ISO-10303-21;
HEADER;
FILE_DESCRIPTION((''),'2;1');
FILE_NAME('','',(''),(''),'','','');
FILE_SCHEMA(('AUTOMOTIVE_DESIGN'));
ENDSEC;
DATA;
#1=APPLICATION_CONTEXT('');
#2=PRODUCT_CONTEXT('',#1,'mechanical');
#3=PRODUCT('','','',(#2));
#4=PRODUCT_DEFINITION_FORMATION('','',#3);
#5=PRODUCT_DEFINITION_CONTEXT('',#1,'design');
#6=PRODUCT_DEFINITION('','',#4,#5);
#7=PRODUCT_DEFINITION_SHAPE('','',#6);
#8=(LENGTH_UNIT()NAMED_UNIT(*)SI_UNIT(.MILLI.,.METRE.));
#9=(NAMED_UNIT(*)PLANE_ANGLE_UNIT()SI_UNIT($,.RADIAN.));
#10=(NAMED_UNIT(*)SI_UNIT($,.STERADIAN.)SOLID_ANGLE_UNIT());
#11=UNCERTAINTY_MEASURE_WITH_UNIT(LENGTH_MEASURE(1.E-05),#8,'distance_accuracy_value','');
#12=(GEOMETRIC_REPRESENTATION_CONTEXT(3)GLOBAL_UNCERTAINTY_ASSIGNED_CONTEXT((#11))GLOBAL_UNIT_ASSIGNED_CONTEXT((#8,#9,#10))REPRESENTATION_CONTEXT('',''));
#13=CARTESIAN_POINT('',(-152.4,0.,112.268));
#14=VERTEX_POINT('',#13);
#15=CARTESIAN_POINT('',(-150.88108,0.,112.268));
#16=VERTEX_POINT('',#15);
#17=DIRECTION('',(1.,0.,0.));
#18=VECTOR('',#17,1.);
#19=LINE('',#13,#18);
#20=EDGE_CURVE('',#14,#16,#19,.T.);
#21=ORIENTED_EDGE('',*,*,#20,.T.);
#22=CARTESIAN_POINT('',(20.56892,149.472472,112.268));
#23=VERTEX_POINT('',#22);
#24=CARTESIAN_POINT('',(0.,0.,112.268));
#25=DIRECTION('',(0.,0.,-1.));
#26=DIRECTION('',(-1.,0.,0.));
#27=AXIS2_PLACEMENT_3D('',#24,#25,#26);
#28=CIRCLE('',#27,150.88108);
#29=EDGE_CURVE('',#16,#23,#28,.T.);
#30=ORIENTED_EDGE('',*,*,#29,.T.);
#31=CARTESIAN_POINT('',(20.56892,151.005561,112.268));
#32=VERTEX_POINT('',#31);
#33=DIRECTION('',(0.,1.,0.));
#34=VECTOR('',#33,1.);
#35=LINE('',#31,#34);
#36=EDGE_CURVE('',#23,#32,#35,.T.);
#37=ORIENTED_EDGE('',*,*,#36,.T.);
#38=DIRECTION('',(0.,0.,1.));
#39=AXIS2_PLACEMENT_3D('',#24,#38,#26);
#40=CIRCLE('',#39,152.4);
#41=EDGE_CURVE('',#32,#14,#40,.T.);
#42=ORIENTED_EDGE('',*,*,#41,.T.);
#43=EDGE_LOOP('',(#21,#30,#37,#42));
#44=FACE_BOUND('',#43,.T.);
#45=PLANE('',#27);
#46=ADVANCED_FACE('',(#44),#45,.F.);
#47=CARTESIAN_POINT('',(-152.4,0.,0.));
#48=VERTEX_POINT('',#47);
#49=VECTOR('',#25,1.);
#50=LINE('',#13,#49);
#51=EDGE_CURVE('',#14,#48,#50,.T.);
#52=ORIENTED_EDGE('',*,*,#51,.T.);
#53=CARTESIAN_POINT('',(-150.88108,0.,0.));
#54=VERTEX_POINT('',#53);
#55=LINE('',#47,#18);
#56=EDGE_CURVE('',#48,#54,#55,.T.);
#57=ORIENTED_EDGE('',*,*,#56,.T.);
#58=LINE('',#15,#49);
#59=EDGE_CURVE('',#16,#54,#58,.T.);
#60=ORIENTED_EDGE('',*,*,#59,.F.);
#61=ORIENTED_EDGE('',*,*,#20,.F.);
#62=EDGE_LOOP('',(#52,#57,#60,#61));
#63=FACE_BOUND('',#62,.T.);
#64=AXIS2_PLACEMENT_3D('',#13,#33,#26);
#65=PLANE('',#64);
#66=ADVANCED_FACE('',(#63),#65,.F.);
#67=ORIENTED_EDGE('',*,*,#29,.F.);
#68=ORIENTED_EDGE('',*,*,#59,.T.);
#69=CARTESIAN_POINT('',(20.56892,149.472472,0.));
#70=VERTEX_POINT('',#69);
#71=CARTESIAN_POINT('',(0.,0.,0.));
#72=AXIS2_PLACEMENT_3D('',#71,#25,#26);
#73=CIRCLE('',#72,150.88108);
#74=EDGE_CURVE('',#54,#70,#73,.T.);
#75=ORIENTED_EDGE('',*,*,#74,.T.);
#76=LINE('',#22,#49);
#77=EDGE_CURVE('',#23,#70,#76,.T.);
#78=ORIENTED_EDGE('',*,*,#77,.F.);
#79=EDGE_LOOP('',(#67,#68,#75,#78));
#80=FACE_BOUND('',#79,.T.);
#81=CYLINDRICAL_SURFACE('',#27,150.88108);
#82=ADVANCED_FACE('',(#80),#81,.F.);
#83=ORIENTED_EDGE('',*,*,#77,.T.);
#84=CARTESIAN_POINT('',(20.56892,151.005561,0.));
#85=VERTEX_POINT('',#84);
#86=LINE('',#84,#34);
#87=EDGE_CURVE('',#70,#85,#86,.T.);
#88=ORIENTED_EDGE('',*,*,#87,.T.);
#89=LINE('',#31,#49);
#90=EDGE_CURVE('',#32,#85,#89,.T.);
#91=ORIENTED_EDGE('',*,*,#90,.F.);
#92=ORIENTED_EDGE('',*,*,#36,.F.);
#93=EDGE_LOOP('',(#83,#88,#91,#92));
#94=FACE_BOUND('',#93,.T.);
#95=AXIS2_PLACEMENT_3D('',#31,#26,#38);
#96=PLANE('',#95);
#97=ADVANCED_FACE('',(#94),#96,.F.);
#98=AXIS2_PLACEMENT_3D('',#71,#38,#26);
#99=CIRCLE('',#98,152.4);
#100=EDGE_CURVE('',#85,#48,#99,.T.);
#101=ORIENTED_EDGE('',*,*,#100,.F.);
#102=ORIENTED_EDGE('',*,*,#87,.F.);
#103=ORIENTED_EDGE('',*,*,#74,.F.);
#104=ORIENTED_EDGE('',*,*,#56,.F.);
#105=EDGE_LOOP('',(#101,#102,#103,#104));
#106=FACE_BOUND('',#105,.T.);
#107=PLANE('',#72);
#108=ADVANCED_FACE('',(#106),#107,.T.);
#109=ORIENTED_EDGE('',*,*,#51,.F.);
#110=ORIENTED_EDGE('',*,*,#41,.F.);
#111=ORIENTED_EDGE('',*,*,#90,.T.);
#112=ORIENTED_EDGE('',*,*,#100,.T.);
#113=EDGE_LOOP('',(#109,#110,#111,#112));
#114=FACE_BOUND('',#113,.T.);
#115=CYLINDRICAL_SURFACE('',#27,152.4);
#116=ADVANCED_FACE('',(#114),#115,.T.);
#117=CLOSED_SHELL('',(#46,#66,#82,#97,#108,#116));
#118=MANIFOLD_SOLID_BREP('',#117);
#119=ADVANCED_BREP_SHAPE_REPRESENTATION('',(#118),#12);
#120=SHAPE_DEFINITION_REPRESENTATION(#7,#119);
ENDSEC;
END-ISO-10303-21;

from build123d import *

# Parameters (mm, degrees)
INNER_RING_LEFT_SIDE_DEPTH = 112.268


with BuildPart() as part:
    # Sketch1 → Inner Ring - Left Side (new body)
    with BuildSketch(Plane.XY):
        with BuildLine():
            Line((20.56892, 151.005561255), (20.56892, 149.47247182))
            ThreePointArc((20.56892, 149.47247182), (-99.150490261, 113.728978642), (-150.88108, 0))
            Line((-150.88108, 0), (-152.4, 0))
            ThreePointArc((-152.4, 0), (-100.227382965, 114.805190231), (20.56892, 151.005561255))
        make_face()
    extrude(amount=INNER_RING_LEFT_SIDE_DEPTH)


solid = part.part
